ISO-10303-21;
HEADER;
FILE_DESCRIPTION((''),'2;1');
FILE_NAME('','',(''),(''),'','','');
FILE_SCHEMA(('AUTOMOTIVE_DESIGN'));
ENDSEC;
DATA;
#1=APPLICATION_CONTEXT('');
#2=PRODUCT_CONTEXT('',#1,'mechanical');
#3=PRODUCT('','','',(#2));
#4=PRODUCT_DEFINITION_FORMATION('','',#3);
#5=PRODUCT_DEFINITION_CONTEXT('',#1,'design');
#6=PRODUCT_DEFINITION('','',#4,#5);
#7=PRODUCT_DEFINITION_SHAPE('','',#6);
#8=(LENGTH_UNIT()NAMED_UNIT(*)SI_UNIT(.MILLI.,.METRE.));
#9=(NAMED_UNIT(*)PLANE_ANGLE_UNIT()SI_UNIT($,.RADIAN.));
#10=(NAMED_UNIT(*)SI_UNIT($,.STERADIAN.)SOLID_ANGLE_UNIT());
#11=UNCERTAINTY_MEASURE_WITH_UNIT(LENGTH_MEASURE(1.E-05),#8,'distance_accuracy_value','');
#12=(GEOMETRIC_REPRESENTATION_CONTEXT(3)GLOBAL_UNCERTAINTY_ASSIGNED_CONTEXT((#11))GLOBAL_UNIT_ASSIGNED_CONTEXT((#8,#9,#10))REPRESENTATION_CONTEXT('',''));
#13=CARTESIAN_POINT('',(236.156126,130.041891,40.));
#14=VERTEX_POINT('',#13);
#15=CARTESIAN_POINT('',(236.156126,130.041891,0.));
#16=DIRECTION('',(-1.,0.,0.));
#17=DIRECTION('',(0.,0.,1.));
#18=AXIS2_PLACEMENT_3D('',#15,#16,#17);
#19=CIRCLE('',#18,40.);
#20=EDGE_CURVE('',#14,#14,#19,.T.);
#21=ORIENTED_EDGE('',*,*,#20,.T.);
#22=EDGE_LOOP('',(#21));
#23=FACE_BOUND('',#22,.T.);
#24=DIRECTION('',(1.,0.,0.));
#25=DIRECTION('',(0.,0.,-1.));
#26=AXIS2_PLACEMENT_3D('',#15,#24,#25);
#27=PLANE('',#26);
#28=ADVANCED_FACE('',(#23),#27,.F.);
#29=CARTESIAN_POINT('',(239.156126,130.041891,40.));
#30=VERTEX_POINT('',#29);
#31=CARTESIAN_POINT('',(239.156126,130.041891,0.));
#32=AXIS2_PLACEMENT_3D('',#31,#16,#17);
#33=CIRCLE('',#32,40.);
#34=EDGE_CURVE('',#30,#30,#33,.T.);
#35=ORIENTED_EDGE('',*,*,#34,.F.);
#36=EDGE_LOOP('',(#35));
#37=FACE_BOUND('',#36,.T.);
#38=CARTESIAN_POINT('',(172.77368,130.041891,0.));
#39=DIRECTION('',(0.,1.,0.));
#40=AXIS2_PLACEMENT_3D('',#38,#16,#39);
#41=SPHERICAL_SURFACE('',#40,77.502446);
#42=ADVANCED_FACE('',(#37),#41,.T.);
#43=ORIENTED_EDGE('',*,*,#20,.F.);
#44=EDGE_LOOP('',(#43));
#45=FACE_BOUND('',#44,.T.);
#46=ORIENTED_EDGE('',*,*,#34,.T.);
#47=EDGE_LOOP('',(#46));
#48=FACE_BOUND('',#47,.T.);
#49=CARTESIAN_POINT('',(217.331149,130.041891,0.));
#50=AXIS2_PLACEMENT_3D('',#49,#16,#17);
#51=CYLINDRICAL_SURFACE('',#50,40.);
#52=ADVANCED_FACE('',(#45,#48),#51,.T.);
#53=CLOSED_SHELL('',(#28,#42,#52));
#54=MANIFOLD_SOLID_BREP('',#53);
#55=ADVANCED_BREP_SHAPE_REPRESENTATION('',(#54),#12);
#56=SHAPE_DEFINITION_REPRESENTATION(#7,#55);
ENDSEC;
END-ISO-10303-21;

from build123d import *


with BuildPart() as part:
    # 草图1 → 旋转1 (revolve)
    with BuildSketch(Plane.XY):
        with BuildLine():
            Line((236.156126338, 130.04189076), (236.156126338, 170.04189076))
            Line((236.156126338, 170.04189076), (239.156126338, 170.04189076))
            ThreePointArc((239.156126338, 170.04189076), (247.444394385, 150.800349277), (250.276126338, 130.04189076))
            Line((250.276126338, 130.04189076), (236.156126338, 130.04189076))
        make_face()
    revolve(axis=Axis((217.331148661, 130.04189076, 0), (1, 0, 0)))


solid = part.part
